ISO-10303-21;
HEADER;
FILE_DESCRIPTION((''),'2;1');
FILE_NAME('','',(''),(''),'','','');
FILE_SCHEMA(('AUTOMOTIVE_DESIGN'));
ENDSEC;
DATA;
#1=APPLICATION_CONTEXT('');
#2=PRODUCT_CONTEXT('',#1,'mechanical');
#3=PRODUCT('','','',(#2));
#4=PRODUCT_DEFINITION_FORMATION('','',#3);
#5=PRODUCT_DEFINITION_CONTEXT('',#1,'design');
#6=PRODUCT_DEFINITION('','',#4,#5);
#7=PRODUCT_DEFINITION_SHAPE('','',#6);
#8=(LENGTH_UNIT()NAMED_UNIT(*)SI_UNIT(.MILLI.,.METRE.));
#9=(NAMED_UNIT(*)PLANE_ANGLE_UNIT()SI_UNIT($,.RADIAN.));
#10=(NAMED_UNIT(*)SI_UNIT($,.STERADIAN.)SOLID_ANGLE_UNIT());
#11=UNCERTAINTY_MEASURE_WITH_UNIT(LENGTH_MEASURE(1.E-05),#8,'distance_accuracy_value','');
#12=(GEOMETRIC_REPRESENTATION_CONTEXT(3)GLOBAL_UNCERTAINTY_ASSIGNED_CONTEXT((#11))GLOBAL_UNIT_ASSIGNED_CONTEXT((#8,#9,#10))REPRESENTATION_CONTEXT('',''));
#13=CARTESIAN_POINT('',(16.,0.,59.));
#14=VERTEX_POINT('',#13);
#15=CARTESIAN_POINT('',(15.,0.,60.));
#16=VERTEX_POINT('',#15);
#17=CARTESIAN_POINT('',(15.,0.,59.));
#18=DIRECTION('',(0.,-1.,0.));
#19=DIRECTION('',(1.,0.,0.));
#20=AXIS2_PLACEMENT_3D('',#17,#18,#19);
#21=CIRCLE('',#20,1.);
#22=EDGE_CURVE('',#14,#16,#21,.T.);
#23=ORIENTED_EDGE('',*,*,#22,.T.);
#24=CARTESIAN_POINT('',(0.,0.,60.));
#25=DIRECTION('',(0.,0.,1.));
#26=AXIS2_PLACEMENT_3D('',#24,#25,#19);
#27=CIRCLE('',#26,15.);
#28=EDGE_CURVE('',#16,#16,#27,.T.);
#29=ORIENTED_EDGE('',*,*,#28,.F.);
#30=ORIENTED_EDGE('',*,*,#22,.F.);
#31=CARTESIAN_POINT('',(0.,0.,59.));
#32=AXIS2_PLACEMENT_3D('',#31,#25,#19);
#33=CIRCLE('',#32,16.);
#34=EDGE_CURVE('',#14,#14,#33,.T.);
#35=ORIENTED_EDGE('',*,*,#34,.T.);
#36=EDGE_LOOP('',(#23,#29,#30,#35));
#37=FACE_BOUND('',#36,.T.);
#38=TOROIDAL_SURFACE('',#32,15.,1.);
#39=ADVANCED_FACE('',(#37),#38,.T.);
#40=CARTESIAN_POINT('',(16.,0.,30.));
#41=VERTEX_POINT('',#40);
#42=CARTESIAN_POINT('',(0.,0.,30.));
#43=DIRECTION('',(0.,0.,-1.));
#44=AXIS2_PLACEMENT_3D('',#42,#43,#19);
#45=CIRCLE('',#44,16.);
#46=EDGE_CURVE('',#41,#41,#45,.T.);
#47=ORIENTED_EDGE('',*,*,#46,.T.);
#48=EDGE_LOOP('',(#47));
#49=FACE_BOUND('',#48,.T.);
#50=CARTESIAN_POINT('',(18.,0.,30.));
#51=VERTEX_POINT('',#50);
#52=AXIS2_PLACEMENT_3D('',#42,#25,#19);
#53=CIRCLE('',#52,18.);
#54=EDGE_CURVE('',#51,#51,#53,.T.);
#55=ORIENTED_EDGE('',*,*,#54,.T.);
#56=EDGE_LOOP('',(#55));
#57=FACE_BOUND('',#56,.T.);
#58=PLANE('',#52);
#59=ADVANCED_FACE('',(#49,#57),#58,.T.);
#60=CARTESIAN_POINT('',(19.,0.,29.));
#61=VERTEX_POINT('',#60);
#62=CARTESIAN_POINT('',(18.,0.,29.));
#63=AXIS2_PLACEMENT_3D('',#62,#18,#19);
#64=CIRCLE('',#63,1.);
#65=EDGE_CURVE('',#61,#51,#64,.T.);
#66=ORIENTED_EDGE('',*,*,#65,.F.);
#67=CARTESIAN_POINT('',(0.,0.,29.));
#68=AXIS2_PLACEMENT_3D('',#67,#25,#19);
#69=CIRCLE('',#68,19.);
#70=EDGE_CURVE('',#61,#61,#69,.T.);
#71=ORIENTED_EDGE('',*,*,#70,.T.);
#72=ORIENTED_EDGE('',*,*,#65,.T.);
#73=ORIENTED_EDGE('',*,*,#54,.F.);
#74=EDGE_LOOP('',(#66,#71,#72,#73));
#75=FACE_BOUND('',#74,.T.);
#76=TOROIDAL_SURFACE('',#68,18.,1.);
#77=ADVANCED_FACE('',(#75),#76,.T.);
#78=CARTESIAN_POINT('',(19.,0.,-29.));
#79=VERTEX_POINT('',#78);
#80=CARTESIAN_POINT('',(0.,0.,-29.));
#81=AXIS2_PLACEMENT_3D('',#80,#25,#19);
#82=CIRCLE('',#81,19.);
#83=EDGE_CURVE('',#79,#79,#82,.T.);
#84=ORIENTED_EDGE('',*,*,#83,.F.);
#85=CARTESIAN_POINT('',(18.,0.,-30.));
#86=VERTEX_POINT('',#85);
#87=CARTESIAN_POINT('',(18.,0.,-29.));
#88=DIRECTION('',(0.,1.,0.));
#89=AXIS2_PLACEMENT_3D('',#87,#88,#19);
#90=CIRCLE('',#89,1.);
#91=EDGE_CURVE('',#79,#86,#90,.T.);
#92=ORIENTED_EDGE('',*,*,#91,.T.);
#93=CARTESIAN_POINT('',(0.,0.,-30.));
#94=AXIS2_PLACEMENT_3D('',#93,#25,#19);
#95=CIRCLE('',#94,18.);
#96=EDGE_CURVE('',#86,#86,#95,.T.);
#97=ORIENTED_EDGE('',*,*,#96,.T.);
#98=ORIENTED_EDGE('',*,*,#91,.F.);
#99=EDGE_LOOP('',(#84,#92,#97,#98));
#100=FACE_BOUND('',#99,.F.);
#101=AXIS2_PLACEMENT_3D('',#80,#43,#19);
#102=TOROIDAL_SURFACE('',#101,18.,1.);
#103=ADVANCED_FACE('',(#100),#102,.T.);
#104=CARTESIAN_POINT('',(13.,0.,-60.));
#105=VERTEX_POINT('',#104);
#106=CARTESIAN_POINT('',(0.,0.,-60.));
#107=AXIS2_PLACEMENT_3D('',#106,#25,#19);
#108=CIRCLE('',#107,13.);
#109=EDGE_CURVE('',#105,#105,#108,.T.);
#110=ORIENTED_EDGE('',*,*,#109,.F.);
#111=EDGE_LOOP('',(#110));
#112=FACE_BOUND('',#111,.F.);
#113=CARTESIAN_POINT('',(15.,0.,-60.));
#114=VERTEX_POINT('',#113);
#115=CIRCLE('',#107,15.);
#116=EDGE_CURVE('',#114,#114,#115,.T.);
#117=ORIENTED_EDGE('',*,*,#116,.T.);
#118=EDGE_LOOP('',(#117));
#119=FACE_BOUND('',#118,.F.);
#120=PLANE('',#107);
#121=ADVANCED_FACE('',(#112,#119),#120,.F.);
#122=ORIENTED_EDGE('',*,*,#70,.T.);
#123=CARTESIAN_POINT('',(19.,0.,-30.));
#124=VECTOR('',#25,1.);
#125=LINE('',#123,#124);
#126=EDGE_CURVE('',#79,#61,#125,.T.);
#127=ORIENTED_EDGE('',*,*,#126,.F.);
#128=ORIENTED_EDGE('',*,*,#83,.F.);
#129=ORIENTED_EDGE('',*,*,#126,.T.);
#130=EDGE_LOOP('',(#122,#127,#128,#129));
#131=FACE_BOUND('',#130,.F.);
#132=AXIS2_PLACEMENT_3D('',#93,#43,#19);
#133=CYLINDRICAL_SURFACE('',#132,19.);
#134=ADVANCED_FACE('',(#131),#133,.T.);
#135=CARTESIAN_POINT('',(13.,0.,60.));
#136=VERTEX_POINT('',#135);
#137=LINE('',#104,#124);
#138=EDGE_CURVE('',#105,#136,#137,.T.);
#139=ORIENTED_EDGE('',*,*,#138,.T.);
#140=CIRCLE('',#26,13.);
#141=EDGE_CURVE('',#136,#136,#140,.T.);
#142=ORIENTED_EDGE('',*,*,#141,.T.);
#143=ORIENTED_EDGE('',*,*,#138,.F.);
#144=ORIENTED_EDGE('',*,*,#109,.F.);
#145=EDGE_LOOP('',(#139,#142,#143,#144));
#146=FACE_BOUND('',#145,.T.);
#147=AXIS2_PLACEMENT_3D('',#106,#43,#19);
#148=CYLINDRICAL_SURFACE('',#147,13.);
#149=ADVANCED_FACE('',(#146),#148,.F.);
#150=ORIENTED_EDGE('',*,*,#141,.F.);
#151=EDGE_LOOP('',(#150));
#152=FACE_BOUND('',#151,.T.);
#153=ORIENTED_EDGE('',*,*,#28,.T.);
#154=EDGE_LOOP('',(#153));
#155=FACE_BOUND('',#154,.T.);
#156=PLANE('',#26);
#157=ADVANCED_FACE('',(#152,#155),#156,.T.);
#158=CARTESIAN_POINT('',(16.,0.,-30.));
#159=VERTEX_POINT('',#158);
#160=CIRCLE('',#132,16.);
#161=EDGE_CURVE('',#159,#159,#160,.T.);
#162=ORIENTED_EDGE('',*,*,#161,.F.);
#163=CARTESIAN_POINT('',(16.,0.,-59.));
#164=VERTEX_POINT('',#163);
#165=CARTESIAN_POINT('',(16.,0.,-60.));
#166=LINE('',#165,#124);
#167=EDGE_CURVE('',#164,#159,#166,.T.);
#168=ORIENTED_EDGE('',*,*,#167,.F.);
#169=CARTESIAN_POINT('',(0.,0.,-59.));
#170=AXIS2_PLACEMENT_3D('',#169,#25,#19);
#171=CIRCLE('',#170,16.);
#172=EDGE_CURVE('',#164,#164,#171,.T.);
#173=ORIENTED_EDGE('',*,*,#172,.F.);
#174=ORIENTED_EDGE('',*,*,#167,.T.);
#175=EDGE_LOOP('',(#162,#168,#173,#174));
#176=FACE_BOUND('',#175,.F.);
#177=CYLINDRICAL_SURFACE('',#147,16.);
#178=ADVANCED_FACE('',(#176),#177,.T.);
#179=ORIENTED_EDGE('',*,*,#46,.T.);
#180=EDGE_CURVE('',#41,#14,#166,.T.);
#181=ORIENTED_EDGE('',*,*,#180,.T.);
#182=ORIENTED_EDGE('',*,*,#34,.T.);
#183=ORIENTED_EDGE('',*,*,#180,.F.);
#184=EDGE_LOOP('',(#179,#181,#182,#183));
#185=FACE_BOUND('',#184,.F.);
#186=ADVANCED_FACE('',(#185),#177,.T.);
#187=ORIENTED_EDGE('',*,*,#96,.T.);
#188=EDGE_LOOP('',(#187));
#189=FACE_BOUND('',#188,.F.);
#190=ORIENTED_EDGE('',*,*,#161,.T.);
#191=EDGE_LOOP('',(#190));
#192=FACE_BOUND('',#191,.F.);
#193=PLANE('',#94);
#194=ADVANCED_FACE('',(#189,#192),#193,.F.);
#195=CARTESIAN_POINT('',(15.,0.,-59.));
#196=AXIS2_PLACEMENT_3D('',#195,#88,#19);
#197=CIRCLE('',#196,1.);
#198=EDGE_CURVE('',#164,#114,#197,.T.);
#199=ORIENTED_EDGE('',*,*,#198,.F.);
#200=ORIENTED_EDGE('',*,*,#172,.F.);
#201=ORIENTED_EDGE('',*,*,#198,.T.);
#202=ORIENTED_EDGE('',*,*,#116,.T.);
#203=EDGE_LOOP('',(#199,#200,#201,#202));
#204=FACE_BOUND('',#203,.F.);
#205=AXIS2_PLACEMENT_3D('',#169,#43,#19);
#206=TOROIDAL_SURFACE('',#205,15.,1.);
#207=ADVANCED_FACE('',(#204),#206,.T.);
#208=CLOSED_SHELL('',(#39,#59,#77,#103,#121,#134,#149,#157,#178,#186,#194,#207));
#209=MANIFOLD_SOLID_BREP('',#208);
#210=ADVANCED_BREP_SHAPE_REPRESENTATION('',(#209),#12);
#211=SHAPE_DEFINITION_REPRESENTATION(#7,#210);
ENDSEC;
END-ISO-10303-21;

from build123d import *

# Parameters (mm, degrees)
CYLINDER002_R     = 13
CYLINDER002_DEPTH = 120
CYLINDER001_R     = 16
CYLINDER001_DEPTH = 120
FILLET001_R       = 1
CYLINDER003_R     = 13
CYLINDER003_DEPTH = 120
CYLINDER_R        = 19
CYLINDER_DEPTH    = 60
FILLET_R          = 1


with BuildPart() as indre_hul:
    # Cylinder002 → Cylinder002 (new body)
    with BuildSketch(Plane.XY.offset(-60)):
        Circle(CYLINDER002_R)
    extrude(amount=CYLINDER002_DEPTH)


with BuildPart() as fillet001:
    # Cylinder001 → Cylinder001 (new body)
    with BuildSketch(Plane.XY.offset(-60)):
        Circle(CYLINDER001_R)
    extrude(amount=CYLINDER001_DEPTH)

    # Cut: cut Indre hul
    add(indre_hul.part, mode=Mode.SUBTRACT)

    # Fillet001
    fillet001_edges = [fillet001.edges().sort_by_distance(p)[0] for p in [
        (-16, 0, 60),
        (-16, 0, -60),
    ]]
    fillet(fillet001_edges, radius=FILLET001_R)


with BuildPart() as indre_hul001:
    # Cylinder003 → Cylinder003 (new body)
    with BuildSketch(Plane.XY.offset(-60)):
        Circle(CYLINDER003_R)
    extrude(amount=CYLINDER003_DEPTH)


with BuildPart() as fusion:
    # Cylinder → Cylinder (new body)
    with BuildSketch(Plane.XY.offset(-30)):
        Circle(CYLINDER_R)
    extrude(amount=CYLINDER_DEPTH)

    # Cut001: cut Indre hul001
    add(indre_hul001.part, mode=Mode.SUBTRACT)

    # Fillet
    fillet_edges = [fusion.edges().sort_by_distance(p)[0] for p in [
        (-19, 0, 30),
        (-19, 0, -30),
    ]]
    fillet(fillet_edges, radius=FILLET_R)

    # Fusion: union Fillet001
    add(fillet001.part)


solid = fusion.part
